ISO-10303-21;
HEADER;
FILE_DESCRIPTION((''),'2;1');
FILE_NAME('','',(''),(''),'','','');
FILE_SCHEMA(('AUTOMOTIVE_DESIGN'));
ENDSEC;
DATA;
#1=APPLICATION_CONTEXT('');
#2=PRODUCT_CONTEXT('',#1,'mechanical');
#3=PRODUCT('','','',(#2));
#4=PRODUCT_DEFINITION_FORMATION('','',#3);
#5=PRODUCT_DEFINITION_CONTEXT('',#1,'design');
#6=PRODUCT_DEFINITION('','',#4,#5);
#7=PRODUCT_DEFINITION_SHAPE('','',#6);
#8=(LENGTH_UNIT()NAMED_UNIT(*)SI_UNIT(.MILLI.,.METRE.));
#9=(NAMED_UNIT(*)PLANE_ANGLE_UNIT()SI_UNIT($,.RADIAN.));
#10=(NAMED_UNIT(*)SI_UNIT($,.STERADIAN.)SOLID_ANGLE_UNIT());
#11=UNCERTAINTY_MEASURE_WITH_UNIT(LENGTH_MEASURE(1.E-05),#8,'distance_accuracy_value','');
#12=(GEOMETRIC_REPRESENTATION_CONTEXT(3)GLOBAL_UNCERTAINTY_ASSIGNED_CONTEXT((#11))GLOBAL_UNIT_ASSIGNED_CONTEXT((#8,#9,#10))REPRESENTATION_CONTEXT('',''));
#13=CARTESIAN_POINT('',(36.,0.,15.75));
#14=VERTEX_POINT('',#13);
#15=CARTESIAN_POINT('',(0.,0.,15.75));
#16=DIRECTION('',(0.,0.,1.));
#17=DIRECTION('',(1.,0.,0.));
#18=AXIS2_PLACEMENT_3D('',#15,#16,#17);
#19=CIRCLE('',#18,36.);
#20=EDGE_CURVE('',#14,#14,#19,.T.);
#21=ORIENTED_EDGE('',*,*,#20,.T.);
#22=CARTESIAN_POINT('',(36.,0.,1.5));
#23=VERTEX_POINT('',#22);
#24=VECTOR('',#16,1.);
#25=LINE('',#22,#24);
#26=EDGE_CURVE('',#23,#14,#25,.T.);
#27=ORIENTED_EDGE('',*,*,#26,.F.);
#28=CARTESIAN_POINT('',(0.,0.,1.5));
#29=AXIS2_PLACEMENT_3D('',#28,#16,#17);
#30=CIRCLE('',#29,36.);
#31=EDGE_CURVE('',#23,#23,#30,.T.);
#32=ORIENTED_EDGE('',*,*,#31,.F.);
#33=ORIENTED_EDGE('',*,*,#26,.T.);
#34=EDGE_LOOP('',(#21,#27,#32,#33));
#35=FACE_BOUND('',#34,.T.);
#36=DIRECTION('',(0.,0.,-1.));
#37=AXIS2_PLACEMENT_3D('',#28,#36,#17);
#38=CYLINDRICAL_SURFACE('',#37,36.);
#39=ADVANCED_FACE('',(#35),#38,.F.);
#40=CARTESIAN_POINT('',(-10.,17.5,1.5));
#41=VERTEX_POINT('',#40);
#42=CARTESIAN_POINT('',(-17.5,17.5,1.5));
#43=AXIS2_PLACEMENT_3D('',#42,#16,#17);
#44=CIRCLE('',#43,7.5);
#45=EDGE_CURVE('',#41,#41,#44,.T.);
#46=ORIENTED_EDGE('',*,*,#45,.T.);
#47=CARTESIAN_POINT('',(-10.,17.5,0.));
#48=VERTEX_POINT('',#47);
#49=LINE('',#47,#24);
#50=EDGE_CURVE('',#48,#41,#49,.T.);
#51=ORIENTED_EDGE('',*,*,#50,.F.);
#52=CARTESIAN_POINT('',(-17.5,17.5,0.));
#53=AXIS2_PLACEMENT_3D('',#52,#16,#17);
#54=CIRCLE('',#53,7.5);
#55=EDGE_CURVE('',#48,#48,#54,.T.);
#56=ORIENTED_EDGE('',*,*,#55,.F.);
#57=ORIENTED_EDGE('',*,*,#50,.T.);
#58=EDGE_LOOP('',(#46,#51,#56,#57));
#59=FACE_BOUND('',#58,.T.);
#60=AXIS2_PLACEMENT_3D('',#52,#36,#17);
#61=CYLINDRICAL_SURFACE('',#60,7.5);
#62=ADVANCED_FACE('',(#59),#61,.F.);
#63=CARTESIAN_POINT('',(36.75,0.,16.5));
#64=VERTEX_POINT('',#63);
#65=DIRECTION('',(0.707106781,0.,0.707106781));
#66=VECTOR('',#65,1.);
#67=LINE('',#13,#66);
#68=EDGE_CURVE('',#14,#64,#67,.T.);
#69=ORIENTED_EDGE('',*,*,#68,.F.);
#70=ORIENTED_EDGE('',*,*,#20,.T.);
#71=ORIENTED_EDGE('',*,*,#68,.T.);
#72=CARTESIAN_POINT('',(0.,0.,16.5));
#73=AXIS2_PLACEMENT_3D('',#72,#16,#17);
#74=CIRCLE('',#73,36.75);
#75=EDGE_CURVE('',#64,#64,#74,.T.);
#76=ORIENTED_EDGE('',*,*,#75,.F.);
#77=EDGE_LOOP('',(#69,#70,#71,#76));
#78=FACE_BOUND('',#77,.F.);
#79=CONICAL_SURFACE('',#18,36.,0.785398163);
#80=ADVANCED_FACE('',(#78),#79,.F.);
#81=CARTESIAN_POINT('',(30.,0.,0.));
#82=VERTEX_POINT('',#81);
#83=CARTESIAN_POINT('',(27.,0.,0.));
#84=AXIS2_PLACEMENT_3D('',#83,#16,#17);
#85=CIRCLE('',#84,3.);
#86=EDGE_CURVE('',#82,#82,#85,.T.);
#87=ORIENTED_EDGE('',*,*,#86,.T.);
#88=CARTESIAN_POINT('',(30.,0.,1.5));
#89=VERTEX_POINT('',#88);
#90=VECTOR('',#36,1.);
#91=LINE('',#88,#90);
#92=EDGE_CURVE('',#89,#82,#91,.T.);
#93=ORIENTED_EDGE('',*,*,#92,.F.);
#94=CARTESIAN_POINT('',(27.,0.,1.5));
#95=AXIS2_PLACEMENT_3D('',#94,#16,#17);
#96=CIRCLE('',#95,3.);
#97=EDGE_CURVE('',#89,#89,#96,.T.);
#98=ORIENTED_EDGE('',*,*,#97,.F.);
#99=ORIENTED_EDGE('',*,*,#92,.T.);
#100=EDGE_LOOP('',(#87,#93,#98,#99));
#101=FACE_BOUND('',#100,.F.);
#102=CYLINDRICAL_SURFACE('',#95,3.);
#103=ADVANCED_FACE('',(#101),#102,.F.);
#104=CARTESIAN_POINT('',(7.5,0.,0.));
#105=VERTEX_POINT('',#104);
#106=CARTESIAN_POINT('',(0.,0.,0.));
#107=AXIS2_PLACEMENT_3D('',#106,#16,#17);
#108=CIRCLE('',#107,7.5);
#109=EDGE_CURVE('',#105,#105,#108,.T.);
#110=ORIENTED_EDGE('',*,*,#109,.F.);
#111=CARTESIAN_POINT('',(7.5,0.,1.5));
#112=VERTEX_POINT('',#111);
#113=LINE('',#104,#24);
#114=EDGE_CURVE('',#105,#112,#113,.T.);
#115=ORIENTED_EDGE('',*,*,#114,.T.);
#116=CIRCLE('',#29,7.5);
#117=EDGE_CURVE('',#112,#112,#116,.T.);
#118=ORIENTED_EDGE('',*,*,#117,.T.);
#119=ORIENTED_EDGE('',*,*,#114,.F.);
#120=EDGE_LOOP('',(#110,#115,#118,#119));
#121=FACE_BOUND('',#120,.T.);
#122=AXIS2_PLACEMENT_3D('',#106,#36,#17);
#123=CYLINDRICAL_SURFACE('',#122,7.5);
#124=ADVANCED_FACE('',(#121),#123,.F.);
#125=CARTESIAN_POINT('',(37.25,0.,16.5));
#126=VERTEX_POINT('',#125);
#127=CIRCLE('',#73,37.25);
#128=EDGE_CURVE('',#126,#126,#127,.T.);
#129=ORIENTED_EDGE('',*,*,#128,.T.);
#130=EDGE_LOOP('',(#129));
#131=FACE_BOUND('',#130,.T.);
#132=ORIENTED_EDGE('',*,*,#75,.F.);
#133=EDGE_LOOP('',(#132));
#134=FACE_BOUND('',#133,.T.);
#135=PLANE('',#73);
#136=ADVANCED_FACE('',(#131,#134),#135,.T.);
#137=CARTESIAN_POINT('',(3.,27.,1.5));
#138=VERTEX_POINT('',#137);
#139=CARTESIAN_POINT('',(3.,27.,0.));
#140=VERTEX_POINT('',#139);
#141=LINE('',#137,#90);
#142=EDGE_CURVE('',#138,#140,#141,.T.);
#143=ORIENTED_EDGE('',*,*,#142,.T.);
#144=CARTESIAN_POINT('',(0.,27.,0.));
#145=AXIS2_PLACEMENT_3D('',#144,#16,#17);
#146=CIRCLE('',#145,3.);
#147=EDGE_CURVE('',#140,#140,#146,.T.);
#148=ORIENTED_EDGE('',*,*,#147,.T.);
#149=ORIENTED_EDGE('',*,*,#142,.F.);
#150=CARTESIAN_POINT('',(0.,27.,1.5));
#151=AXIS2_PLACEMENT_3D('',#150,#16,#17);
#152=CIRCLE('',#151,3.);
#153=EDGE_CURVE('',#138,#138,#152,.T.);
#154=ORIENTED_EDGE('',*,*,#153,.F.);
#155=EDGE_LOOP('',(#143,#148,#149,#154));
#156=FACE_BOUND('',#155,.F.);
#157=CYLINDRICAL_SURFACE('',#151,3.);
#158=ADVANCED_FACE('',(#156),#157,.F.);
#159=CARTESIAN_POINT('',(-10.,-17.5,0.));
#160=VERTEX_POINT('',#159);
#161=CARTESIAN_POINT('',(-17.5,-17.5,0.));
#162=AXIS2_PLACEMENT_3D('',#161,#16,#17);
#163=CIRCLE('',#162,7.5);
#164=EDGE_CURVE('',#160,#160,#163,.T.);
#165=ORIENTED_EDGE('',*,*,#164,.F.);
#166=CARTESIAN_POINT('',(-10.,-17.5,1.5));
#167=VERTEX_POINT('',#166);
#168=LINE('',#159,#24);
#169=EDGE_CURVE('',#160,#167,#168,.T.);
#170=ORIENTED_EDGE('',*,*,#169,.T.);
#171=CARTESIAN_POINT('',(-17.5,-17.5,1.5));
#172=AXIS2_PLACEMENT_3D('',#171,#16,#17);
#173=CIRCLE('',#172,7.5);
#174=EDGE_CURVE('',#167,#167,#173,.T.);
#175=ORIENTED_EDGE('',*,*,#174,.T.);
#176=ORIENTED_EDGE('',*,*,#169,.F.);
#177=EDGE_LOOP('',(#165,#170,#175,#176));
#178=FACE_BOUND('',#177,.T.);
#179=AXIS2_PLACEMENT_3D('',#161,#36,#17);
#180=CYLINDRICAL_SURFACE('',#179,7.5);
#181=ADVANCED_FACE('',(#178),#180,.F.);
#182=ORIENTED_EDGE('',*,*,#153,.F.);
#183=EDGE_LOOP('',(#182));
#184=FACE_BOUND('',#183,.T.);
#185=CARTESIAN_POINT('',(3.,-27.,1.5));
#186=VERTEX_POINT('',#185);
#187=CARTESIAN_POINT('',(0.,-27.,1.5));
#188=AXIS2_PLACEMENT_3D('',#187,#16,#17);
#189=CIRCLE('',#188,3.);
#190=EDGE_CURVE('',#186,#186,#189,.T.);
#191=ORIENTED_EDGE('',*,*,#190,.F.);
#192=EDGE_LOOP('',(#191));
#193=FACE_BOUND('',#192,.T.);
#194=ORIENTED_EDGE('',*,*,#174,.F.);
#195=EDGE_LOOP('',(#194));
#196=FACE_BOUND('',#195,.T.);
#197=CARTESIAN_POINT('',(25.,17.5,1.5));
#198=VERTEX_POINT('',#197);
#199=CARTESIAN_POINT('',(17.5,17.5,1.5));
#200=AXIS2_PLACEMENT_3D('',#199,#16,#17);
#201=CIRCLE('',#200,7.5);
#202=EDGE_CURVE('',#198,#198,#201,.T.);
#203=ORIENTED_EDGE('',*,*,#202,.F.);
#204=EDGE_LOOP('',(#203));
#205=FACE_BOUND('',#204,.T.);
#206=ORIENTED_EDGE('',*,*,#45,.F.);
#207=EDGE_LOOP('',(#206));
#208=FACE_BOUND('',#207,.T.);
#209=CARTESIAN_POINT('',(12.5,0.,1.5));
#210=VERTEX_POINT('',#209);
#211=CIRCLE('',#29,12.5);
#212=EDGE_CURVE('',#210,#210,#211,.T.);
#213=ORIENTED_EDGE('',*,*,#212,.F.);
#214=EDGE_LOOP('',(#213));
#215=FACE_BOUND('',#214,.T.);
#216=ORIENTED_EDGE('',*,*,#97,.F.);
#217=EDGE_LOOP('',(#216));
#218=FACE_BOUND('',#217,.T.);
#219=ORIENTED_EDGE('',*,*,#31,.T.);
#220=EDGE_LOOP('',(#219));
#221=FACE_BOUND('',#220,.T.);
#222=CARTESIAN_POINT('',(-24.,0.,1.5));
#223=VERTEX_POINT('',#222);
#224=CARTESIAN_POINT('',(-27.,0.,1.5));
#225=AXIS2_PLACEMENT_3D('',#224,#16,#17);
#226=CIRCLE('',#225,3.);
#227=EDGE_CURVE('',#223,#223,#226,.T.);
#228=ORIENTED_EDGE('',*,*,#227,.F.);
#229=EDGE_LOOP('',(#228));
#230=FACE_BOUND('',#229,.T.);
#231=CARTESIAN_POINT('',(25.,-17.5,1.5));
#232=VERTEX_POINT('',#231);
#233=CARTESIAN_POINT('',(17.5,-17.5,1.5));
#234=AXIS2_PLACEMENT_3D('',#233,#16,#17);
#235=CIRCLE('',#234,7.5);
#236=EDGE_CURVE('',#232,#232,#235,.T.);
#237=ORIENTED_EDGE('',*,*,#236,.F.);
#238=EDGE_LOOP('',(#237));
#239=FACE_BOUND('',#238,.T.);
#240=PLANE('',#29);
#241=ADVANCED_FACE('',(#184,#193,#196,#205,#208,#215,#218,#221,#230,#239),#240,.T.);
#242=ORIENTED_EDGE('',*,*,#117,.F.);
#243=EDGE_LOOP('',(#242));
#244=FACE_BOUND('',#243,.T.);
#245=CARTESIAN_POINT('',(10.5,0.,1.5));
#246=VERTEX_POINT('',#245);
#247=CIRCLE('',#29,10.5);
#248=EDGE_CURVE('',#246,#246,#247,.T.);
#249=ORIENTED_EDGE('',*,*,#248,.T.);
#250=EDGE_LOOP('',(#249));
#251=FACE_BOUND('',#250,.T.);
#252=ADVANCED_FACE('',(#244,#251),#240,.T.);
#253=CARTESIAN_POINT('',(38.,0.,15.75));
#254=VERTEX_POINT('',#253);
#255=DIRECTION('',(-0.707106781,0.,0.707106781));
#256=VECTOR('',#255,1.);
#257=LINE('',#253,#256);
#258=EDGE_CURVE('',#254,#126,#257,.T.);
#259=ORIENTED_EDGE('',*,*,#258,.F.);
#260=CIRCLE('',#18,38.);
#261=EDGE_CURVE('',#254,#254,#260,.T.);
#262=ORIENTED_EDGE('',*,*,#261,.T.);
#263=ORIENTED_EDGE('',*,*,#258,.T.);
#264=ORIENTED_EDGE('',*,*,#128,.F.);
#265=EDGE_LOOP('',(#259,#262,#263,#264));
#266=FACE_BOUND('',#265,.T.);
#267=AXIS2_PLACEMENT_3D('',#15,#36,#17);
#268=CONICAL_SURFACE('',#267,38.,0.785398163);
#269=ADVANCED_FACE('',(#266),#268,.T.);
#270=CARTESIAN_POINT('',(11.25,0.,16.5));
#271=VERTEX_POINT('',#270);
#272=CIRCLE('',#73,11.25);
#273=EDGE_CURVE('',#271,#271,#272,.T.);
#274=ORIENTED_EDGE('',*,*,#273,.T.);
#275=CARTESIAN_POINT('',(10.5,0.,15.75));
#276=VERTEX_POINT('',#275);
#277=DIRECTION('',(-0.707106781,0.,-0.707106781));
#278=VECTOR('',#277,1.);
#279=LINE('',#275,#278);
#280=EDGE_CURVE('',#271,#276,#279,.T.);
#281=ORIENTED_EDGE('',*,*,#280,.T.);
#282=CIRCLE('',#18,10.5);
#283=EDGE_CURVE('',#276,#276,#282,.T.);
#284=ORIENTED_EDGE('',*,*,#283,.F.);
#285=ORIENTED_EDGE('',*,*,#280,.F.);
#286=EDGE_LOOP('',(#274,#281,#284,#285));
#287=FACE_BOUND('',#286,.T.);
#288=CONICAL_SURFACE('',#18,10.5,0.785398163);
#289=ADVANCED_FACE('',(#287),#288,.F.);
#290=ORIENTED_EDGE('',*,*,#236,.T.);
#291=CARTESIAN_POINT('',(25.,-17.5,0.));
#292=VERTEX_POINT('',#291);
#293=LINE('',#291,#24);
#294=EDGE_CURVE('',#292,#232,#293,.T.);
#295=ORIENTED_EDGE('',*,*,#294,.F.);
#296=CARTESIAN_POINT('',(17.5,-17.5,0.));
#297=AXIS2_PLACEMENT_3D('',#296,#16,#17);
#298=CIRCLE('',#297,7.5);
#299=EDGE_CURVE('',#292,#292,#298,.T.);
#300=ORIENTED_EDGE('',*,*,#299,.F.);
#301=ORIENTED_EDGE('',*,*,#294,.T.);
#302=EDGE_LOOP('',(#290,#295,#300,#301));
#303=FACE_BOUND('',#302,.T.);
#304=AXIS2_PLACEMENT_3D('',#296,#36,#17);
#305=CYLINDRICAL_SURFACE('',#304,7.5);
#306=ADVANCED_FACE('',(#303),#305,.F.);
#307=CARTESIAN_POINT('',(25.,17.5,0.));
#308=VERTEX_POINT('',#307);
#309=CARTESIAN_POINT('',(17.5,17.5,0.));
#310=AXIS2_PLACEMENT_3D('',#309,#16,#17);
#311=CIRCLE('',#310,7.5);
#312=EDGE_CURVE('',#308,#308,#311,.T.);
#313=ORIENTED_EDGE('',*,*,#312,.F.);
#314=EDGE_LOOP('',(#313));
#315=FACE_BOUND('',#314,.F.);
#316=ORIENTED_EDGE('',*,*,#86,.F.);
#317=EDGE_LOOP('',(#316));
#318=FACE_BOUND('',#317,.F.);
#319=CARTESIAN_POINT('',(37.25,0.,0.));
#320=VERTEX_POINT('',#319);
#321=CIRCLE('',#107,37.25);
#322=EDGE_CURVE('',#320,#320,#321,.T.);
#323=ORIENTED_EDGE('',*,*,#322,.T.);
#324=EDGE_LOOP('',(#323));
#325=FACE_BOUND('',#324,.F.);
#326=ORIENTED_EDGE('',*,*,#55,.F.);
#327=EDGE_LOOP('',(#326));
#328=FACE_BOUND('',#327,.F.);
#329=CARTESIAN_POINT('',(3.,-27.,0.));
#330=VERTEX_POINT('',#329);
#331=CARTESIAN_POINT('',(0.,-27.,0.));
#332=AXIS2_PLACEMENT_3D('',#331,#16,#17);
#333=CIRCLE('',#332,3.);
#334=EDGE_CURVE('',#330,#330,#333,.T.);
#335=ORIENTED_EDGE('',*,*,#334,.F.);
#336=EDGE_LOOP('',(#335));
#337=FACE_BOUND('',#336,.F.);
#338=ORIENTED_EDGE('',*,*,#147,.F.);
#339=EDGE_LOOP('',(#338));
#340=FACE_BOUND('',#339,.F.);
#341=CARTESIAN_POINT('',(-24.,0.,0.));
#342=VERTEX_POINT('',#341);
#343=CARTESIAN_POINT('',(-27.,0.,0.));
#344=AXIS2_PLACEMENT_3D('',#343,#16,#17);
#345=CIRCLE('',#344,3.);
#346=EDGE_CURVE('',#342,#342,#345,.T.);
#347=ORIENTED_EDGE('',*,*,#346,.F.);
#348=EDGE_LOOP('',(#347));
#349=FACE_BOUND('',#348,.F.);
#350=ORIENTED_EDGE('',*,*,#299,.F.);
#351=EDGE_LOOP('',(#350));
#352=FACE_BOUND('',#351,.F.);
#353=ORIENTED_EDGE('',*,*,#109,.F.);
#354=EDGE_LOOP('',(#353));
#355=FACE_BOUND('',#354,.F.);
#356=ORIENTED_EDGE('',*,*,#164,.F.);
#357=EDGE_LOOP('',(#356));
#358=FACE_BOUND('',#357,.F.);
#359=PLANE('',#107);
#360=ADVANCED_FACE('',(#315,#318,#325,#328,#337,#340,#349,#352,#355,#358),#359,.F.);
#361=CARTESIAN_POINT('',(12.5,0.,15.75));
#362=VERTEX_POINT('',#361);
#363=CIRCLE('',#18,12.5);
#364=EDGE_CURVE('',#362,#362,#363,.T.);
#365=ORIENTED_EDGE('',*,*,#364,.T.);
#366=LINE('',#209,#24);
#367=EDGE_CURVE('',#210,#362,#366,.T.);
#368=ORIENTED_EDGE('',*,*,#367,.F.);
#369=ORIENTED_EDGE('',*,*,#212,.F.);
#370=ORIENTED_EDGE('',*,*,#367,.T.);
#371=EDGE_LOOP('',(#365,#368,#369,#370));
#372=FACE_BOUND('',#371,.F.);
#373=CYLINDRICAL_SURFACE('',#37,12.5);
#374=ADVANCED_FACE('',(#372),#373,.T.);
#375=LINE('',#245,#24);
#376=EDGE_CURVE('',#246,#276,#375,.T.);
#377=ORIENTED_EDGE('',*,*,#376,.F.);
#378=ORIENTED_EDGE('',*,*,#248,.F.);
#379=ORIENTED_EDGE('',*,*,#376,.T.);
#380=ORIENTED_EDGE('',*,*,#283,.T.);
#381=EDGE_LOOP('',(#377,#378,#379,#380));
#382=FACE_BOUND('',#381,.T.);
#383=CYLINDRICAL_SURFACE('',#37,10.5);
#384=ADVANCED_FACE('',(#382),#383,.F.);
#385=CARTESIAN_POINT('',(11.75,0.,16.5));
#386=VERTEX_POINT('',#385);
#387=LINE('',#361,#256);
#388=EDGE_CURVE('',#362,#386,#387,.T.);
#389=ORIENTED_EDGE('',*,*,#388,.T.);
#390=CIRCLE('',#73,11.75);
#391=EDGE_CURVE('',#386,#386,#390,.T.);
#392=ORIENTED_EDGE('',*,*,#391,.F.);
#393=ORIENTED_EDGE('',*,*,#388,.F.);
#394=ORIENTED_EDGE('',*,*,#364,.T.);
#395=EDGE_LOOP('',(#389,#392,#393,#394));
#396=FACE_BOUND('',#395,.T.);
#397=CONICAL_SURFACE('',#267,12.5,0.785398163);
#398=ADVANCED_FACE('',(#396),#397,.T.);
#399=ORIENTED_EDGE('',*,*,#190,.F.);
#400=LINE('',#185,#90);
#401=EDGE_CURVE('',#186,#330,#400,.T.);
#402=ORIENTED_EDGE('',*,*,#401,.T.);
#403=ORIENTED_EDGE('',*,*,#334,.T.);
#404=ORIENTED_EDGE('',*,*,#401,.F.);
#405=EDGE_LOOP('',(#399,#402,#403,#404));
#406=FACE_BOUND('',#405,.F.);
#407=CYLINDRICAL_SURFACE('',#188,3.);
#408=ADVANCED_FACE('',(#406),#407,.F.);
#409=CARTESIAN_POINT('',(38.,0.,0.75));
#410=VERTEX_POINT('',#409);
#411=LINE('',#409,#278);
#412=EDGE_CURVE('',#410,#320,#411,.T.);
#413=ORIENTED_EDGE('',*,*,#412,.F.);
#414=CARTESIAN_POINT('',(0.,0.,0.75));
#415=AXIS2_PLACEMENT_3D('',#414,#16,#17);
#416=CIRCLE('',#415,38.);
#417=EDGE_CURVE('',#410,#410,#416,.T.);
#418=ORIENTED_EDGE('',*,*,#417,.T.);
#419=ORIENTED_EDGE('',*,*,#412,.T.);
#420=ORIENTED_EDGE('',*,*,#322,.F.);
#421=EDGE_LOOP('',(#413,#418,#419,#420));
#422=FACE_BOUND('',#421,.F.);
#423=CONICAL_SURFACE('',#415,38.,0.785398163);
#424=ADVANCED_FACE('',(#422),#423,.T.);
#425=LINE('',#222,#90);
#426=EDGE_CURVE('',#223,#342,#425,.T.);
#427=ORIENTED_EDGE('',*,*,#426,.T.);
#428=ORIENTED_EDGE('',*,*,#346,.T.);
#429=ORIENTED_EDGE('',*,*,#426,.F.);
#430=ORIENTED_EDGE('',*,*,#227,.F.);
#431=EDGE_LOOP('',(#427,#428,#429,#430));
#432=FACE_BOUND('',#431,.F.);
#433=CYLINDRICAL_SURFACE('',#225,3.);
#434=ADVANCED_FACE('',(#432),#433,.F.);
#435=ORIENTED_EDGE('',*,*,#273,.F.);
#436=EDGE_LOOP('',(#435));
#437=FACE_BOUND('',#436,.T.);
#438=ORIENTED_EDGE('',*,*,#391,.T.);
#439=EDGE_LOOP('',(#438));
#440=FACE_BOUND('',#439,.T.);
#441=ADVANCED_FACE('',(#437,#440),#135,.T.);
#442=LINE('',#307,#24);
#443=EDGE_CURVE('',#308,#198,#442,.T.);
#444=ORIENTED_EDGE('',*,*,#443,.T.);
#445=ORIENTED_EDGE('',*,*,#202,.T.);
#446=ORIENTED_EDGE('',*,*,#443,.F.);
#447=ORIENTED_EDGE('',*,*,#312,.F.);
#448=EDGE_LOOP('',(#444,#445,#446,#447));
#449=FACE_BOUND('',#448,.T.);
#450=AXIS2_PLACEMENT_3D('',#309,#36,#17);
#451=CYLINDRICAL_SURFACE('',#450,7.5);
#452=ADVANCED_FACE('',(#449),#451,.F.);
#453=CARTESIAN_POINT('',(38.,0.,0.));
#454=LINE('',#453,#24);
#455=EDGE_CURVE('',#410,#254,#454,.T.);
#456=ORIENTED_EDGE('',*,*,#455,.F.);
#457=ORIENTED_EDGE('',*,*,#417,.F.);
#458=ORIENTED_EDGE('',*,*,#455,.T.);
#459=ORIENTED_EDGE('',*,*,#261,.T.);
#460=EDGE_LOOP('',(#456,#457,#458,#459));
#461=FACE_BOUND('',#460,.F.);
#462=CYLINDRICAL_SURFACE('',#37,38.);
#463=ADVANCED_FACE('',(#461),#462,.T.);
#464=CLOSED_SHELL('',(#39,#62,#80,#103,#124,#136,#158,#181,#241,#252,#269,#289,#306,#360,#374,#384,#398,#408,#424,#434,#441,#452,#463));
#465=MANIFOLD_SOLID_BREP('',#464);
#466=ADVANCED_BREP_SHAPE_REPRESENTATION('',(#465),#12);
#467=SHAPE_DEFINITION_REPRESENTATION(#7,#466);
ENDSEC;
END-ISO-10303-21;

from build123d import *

# Parameters (mm, degrees)
F0_R     = 38
F0_R_2   = 7.5
F1_DEPTH = 1.5
F2_R     = 38
F2_R_2   = 36
F2_R_3   = 12.5
F2_R_4   = 10.5
F3_DEPTH = 15
F4_SIZE  = 0.75
F5_R     = 3
F6_DEPTH = 1.501


with BuildPart() as f1:
    # F0 (on Top) → F1 (new body)
    with BuildSketch(Plane.XY):
        Circle(F0_R)
        with Locations((-17.5, -17.5)):
            Circle(F0_R_2, mode=Mode.SUBTRACT)
        with Locations((17.5, -17.5)):
            Circle(F0_R_2, mode=Mode.SUBTRACT)
        with Locations((-17.5, 17.5)):
            Circle(F0_R_2, mode=Mode.SUBTRACT)
        Circle(F0_R_2, mode=Mode.SUBTRACT)
        with Locations((17.5, 17.5)):
            Circle(F0_R_2, mode=Mode.SUBTRACT)
    extrude(amount=F1_DEPTH)

    # F2 (on face) → F3 (join)
    with BuildSketch(Plane.XY.offset(1.5)):
        Circle(F2_R)
        Circle(F2_R_2, mode=Mode.SUBTRACT)
        Circle(F2_R_3)
        Circle(F2_R_4, mode=Mode.SUBTRACT)
    extrude(amount=F3_DEPTH)

    # F4
    f4_edges = [f1.edges().sort_by_distance(p)[0] for p in [
        (-38, 0, 0),
        (-38, 0, 16.5),
        (-36, 0, 16.5),
        (-12.5, 0, 16.5),
        (-10.5, 0, 16.5),
    ]]
    chamfer(f4_edges, length=F4_SIZE)

    # F5 (on face) → F6 (cut, through all)
    with BuildSketch(Plane.XY.offset(1.5)):
        with Locations((-27, 0)):
            Circle(F5_R)
        with Locations((0, -27)):
            Circle(F5_R)
        with Locations((27, 0)):
            Circle(F5_R)
        with Locations((0, 27)):
            Circle(F5_R)
    extrude(amount=-F6_DEPTH, mode=Mode.SUBTRACT)


solid = f1.part
